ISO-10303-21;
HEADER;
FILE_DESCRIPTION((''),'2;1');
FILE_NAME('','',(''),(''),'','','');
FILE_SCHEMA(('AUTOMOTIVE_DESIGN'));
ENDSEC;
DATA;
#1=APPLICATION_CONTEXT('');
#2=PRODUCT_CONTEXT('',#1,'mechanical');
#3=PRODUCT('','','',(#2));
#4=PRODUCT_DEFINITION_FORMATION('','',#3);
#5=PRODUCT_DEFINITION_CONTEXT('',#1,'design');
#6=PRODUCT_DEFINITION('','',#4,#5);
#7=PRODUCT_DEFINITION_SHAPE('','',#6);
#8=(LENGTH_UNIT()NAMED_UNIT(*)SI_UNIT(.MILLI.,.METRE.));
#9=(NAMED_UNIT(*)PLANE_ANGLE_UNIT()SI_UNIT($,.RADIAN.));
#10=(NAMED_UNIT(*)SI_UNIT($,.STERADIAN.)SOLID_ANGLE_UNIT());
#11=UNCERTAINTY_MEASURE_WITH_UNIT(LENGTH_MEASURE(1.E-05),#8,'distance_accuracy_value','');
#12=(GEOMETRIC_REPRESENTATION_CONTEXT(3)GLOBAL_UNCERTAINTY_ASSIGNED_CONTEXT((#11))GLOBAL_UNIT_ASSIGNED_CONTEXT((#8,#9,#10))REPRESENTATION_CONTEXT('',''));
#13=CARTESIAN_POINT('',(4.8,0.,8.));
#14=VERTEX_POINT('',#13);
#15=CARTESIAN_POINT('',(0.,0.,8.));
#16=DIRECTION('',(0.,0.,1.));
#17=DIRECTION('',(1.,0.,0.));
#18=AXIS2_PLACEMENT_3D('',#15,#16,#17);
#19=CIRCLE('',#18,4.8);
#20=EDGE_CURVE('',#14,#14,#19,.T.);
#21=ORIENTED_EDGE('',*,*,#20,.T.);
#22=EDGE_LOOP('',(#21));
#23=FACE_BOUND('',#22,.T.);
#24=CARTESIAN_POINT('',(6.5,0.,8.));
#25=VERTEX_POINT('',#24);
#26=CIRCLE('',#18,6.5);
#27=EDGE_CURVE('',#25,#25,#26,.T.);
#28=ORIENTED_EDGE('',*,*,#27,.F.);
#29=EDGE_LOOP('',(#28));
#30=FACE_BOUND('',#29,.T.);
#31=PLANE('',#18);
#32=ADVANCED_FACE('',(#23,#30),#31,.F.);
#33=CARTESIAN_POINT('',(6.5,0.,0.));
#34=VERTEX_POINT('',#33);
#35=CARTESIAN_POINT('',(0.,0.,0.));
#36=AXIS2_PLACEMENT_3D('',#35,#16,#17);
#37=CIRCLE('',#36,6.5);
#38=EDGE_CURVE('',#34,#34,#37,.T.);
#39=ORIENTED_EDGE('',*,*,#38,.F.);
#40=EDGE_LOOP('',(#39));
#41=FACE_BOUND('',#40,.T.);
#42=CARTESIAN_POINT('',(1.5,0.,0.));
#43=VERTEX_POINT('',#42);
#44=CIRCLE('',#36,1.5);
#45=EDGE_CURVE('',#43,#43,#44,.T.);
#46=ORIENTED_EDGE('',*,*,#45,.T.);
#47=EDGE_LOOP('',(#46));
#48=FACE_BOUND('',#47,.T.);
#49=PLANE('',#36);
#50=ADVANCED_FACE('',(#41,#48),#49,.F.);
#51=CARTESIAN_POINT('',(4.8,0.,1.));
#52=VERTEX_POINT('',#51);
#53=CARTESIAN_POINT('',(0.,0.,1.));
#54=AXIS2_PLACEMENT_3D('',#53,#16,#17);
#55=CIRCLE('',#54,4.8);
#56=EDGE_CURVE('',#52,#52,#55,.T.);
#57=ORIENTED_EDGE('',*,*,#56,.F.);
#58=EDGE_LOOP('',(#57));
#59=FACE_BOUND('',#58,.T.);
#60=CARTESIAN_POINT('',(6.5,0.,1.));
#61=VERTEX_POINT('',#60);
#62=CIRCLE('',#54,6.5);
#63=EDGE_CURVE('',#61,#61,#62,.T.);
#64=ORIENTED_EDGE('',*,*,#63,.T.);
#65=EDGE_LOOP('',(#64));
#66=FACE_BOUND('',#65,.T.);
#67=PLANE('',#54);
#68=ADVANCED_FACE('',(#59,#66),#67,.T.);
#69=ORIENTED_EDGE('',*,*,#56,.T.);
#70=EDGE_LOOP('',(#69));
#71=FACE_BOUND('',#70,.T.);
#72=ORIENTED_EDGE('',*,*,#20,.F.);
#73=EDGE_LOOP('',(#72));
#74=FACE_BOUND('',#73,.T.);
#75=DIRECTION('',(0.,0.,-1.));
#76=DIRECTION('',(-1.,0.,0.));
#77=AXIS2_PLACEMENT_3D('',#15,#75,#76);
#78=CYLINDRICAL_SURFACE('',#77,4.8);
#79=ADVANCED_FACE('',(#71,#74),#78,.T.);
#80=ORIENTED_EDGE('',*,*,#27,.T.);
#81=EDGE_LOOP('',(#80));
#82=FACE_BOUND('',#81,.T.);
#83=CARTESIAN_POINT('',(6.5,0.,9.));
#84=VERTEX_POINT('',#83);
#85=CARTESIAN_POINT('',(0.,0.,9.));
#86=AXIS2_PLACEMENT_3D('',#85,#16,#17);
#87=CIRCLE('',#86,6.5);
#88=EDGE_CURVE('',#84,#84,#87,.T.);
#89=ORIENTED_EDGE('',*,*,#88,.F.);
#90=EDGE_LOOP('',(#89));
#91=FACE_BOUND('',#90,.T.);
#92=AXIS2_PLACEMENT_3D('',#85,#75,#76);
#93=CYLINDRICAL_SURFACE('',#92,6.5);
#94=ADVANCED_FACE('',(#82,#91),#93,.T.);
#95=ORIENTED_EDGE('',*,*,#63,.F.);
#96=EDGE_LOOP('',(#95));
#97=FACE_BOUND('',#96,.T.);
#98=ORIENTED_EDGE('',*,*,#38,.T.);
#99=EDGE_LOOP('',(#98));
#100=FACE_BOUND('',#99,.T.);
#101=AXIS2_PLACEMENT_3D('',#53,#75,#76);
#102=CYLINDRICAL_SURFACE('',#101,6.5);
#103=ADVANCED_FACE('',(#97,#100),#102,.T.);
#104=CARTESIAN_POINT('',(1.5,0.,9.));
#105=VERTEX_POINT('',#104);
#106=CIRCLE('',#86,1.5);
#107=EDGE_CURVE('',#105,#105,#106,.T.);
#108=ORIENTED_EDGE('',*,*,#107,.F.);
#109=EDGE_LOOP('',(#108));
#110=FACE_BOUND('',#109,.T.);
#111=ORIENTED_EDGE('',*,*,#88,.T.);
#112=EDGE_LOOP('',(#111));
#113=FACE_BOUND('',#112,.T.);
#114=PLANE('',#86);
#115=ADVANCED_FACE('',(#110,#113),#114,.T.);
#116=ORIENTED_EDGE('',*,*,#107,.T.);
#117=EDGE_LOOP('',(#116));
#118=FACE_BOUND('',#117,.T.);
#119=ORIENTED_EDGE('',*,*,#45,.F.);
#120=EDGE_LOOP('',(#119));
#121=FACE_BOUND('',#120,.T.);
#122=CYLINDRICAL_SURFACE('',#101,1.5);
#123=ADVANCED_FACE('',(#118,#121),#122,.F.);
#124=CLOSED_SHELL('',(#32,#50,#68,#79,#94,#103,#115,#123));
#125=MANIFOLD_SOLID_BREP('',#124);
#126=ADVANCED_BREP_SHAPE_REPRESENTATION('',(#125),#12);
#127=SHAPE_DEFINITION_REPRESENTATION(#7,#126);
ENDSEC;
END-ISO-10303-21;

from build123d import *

# Parameters (mm, degrees)
SKETCH1_R           = 6.5
SKETCH1_R_2         = 1.5
BOSS_EXTRUDE1_DEPTH = 1
SKETCH2_R           = 4.8
SKETCH2_R_2         = 1.5
BOSS_EXTRUDE2_DEPTH = 7
SKETCH3_R           = 6.5
SKETCH3_R_2         = 1.5
BOSS_EXTRUDE3_DEPTH = 1


with BuildPart() as part:
    # Sketch1 → Boss-Extrude1 (new body)
    with BuildSketch(Plane.XY):
        Circle(SKETCH1_R)
        Circle(SKETCH1_R_2, mode=Mode.SUBTRACT)
    extrude(amount=BOSS_EXTRUDE1_DEPTH)

    # Sketch2 → Boss-Extrude2 (add)
    with BuildSketch(Plane.XY.offset(1)):
        Circle(SKETCH2_R)
        Circle(SKETCH2_R_2, mode=Mode.SUBTRACT)
    extrude(amount=BOSS_EXTRUDE2_DEPTH)

    # Sketch3 → Boss-Extrude3 (add)
    with BuildSketch(Plane.XY.offset(8)):
        Circle(SKETCH3_R)
        Circle(SKETCH3_R_2, mode=Mode.SUBTRACT)
    extrude(amount=BOSS_EXTRUDE3_DEPTH)


solid = part.part
